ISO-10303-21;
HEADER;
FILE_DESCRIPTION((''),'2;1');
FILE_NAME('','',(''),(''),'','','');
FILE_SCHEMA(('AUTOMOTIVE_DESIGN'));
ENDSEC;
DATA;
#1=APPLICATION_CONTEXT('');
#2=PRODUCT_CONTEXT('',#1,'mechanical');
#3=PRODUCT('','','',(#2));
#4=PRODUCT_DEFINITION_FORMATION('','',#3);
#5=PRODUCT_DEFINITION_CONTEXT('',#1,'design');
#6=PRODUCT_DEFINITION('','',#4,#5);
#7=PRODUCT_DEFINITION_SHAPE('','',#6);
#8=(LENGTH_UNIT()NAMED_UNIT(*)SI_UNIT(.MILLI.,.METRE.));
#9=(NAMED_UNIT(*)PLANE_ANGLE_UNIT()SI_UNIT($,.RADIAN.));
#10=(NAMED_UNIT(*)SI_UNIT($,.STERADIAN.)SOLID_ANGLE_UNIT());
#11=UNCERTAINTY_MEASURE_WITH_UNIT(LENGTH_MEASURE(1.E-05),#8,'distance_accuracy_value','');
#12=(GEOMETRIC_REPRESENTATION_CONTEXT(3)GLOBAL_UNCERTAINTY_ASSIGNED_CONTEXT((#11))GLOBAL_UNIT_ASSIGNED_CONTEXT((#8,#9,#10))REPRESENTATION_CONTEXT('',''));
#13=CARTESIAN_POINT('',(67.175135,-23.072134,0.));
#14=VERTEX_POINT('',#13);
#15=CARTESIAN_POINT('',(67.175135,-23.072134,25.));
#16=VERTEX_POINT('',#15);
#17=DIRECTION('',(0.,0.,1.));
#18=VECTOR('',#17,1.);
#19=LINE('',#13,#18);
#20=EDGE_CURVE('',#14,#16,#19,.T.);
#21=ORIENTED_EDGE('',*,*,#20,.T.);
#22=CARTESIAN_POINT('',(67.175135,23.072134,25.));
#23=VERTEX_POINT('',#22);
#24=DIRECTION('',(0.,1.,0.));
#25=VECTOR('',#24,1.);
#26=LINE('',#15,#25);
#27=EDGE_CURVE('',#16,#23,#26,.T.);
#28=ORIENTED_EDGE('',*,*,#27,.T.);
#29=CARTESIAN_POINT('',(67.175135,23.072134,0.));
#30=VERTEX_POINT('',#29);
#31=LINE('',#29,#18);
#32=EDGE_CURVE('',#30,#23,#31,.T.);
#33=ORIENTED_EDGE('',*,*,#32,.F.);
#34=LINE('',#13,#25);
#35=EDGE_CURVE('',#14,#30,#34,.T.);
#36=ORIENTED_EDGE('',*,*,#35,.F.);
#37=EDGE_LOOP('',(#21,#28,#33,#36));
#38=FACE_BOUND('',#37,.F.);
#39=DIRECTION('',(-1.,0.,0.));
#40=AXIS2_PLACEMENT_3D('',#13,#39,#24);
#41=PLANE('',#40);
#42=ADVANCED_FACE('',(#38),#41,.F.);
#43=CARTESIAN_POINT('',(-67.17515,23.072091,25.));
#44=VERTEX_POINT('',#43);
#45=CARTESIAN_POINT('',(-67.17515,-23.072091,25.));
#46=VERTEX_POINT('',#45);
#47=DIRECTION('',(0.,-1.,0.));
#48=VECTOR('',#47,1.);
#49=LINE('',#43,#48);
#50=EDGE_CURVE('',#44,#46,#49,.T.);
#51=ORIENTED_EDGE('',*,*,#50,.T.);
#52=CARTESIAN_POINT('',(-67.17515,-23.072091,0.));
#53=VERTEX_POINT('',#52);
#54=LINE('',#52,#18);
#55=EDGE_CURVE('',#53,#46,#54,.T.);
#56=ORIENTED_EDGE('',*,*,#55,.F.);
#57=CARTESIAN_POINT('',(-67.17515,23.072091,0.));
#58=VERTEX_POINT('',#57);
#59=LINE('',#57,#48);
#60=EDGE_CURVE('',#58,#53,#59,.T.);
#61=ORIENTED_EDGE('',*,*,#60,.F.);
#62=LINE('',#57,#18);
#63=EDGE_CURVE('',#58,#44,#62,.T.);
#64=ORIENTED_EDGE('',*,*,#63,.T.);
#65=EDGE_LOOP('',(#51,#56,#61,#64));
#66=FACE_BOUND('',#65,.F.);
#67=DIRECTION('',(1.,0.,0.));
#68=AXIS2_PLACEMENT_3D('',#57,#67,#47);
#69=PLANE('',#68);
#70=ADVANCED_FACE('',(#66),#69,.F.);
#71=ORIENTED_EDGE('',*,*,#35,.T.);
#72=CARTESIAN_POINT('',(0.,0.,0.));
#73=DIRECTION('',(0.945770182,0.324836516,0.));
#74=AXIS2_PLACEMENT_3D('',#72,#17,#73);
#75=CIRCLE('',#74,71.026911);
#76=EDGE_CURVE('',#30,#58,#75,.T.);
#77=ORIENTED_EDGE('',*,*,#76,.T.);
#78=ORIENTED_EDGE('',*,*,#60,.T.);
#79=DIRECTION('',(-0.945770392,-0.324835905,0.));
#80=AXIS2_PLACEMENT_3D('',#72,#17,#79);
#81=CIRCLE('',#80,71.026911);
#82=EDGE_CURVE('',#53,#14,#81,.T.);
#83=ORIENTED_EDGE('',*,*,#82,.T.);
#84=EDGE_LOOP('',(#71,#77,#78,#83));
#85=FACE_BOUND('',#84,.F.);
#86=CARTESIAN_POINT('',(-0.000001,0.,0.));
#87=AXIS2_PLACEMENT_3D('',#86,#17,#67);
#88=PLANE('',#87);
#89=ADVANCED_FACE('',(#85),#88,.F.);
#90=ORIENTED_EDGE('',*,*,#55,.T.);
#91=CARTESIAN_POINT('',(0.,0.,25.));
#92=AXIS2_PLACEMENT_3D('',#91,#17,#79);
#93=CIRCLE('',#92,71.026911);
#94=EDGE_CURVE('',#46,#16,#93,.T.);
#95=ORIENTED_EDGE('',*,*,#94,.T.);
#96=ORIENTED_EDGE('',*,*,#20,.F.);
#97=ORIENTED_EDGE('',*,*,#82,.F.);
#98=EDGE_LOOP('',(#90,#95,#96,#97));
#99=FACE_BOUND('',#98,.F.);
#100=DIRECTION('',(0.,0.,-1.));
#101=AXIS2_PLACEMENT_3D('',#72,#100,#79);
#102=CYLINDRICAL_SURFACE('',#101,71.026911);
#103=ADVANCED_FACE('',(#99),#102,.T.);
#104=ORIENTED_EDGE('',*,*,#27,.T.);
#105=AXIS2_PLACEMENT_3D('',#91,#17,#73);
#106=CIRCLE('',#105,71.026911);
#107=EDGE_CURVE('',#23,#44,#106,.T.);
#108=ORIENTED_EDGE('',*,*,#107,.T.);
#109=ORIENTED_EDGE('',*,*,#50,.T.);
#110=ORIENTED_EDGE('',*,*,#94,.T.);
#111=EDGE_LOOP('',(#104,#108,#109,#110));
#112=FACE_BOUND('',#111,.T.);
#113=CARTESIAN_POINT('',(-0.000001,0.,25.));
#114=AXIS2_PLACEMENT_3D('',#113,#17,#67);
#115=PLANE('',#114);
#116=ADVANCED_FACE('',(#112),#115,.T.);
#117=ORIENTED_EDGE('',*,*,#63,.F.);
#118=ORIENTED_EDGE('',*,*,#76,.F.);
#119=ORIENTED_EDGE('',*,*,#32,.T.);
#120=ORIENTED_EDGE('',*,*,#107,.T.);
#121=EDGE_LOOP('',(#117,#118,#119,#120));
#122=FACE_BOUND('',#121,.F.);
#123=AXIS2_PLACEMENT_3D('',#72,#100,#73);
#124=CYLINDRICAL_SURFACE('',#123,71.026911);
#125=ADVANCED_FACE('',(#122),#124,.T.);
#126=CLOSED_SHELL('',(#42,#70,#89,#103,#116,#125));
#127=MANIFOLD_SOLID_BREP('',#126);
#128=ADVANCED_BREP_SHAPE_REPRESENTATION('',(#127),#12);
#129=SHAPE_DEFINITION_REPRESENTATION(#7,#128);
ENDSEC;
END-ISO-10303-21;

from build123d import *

# Parameters (mm, degrees)
F1_DEPTH = 25


with BuildPart() as f1:
    # F0 (on Top) → F1 (new body)
    with BuildSketch(Plane.XY):
        with BuildLine():
            Line((67.1751350164, -23.0721344739), (67.1751350164, 23.0721344739))
            ThreePointArc((67.1751350164, 23.0721344739), (-2.29364e-05, 71.0269114749), (-67.1751499176, 23.0720910887))
            Line((-67.1751499176, 23.0720910887), (-67.1751499176, -23.0720910887))
            ThreePointArc((-67.1751499176, -23.0720910887), (-2.29364e-05, -71.0269114749), (67.1751350164, -23.0721344739))
        make_face()
    extrude(amount=F1_DEPTH)


solid = f1.part
